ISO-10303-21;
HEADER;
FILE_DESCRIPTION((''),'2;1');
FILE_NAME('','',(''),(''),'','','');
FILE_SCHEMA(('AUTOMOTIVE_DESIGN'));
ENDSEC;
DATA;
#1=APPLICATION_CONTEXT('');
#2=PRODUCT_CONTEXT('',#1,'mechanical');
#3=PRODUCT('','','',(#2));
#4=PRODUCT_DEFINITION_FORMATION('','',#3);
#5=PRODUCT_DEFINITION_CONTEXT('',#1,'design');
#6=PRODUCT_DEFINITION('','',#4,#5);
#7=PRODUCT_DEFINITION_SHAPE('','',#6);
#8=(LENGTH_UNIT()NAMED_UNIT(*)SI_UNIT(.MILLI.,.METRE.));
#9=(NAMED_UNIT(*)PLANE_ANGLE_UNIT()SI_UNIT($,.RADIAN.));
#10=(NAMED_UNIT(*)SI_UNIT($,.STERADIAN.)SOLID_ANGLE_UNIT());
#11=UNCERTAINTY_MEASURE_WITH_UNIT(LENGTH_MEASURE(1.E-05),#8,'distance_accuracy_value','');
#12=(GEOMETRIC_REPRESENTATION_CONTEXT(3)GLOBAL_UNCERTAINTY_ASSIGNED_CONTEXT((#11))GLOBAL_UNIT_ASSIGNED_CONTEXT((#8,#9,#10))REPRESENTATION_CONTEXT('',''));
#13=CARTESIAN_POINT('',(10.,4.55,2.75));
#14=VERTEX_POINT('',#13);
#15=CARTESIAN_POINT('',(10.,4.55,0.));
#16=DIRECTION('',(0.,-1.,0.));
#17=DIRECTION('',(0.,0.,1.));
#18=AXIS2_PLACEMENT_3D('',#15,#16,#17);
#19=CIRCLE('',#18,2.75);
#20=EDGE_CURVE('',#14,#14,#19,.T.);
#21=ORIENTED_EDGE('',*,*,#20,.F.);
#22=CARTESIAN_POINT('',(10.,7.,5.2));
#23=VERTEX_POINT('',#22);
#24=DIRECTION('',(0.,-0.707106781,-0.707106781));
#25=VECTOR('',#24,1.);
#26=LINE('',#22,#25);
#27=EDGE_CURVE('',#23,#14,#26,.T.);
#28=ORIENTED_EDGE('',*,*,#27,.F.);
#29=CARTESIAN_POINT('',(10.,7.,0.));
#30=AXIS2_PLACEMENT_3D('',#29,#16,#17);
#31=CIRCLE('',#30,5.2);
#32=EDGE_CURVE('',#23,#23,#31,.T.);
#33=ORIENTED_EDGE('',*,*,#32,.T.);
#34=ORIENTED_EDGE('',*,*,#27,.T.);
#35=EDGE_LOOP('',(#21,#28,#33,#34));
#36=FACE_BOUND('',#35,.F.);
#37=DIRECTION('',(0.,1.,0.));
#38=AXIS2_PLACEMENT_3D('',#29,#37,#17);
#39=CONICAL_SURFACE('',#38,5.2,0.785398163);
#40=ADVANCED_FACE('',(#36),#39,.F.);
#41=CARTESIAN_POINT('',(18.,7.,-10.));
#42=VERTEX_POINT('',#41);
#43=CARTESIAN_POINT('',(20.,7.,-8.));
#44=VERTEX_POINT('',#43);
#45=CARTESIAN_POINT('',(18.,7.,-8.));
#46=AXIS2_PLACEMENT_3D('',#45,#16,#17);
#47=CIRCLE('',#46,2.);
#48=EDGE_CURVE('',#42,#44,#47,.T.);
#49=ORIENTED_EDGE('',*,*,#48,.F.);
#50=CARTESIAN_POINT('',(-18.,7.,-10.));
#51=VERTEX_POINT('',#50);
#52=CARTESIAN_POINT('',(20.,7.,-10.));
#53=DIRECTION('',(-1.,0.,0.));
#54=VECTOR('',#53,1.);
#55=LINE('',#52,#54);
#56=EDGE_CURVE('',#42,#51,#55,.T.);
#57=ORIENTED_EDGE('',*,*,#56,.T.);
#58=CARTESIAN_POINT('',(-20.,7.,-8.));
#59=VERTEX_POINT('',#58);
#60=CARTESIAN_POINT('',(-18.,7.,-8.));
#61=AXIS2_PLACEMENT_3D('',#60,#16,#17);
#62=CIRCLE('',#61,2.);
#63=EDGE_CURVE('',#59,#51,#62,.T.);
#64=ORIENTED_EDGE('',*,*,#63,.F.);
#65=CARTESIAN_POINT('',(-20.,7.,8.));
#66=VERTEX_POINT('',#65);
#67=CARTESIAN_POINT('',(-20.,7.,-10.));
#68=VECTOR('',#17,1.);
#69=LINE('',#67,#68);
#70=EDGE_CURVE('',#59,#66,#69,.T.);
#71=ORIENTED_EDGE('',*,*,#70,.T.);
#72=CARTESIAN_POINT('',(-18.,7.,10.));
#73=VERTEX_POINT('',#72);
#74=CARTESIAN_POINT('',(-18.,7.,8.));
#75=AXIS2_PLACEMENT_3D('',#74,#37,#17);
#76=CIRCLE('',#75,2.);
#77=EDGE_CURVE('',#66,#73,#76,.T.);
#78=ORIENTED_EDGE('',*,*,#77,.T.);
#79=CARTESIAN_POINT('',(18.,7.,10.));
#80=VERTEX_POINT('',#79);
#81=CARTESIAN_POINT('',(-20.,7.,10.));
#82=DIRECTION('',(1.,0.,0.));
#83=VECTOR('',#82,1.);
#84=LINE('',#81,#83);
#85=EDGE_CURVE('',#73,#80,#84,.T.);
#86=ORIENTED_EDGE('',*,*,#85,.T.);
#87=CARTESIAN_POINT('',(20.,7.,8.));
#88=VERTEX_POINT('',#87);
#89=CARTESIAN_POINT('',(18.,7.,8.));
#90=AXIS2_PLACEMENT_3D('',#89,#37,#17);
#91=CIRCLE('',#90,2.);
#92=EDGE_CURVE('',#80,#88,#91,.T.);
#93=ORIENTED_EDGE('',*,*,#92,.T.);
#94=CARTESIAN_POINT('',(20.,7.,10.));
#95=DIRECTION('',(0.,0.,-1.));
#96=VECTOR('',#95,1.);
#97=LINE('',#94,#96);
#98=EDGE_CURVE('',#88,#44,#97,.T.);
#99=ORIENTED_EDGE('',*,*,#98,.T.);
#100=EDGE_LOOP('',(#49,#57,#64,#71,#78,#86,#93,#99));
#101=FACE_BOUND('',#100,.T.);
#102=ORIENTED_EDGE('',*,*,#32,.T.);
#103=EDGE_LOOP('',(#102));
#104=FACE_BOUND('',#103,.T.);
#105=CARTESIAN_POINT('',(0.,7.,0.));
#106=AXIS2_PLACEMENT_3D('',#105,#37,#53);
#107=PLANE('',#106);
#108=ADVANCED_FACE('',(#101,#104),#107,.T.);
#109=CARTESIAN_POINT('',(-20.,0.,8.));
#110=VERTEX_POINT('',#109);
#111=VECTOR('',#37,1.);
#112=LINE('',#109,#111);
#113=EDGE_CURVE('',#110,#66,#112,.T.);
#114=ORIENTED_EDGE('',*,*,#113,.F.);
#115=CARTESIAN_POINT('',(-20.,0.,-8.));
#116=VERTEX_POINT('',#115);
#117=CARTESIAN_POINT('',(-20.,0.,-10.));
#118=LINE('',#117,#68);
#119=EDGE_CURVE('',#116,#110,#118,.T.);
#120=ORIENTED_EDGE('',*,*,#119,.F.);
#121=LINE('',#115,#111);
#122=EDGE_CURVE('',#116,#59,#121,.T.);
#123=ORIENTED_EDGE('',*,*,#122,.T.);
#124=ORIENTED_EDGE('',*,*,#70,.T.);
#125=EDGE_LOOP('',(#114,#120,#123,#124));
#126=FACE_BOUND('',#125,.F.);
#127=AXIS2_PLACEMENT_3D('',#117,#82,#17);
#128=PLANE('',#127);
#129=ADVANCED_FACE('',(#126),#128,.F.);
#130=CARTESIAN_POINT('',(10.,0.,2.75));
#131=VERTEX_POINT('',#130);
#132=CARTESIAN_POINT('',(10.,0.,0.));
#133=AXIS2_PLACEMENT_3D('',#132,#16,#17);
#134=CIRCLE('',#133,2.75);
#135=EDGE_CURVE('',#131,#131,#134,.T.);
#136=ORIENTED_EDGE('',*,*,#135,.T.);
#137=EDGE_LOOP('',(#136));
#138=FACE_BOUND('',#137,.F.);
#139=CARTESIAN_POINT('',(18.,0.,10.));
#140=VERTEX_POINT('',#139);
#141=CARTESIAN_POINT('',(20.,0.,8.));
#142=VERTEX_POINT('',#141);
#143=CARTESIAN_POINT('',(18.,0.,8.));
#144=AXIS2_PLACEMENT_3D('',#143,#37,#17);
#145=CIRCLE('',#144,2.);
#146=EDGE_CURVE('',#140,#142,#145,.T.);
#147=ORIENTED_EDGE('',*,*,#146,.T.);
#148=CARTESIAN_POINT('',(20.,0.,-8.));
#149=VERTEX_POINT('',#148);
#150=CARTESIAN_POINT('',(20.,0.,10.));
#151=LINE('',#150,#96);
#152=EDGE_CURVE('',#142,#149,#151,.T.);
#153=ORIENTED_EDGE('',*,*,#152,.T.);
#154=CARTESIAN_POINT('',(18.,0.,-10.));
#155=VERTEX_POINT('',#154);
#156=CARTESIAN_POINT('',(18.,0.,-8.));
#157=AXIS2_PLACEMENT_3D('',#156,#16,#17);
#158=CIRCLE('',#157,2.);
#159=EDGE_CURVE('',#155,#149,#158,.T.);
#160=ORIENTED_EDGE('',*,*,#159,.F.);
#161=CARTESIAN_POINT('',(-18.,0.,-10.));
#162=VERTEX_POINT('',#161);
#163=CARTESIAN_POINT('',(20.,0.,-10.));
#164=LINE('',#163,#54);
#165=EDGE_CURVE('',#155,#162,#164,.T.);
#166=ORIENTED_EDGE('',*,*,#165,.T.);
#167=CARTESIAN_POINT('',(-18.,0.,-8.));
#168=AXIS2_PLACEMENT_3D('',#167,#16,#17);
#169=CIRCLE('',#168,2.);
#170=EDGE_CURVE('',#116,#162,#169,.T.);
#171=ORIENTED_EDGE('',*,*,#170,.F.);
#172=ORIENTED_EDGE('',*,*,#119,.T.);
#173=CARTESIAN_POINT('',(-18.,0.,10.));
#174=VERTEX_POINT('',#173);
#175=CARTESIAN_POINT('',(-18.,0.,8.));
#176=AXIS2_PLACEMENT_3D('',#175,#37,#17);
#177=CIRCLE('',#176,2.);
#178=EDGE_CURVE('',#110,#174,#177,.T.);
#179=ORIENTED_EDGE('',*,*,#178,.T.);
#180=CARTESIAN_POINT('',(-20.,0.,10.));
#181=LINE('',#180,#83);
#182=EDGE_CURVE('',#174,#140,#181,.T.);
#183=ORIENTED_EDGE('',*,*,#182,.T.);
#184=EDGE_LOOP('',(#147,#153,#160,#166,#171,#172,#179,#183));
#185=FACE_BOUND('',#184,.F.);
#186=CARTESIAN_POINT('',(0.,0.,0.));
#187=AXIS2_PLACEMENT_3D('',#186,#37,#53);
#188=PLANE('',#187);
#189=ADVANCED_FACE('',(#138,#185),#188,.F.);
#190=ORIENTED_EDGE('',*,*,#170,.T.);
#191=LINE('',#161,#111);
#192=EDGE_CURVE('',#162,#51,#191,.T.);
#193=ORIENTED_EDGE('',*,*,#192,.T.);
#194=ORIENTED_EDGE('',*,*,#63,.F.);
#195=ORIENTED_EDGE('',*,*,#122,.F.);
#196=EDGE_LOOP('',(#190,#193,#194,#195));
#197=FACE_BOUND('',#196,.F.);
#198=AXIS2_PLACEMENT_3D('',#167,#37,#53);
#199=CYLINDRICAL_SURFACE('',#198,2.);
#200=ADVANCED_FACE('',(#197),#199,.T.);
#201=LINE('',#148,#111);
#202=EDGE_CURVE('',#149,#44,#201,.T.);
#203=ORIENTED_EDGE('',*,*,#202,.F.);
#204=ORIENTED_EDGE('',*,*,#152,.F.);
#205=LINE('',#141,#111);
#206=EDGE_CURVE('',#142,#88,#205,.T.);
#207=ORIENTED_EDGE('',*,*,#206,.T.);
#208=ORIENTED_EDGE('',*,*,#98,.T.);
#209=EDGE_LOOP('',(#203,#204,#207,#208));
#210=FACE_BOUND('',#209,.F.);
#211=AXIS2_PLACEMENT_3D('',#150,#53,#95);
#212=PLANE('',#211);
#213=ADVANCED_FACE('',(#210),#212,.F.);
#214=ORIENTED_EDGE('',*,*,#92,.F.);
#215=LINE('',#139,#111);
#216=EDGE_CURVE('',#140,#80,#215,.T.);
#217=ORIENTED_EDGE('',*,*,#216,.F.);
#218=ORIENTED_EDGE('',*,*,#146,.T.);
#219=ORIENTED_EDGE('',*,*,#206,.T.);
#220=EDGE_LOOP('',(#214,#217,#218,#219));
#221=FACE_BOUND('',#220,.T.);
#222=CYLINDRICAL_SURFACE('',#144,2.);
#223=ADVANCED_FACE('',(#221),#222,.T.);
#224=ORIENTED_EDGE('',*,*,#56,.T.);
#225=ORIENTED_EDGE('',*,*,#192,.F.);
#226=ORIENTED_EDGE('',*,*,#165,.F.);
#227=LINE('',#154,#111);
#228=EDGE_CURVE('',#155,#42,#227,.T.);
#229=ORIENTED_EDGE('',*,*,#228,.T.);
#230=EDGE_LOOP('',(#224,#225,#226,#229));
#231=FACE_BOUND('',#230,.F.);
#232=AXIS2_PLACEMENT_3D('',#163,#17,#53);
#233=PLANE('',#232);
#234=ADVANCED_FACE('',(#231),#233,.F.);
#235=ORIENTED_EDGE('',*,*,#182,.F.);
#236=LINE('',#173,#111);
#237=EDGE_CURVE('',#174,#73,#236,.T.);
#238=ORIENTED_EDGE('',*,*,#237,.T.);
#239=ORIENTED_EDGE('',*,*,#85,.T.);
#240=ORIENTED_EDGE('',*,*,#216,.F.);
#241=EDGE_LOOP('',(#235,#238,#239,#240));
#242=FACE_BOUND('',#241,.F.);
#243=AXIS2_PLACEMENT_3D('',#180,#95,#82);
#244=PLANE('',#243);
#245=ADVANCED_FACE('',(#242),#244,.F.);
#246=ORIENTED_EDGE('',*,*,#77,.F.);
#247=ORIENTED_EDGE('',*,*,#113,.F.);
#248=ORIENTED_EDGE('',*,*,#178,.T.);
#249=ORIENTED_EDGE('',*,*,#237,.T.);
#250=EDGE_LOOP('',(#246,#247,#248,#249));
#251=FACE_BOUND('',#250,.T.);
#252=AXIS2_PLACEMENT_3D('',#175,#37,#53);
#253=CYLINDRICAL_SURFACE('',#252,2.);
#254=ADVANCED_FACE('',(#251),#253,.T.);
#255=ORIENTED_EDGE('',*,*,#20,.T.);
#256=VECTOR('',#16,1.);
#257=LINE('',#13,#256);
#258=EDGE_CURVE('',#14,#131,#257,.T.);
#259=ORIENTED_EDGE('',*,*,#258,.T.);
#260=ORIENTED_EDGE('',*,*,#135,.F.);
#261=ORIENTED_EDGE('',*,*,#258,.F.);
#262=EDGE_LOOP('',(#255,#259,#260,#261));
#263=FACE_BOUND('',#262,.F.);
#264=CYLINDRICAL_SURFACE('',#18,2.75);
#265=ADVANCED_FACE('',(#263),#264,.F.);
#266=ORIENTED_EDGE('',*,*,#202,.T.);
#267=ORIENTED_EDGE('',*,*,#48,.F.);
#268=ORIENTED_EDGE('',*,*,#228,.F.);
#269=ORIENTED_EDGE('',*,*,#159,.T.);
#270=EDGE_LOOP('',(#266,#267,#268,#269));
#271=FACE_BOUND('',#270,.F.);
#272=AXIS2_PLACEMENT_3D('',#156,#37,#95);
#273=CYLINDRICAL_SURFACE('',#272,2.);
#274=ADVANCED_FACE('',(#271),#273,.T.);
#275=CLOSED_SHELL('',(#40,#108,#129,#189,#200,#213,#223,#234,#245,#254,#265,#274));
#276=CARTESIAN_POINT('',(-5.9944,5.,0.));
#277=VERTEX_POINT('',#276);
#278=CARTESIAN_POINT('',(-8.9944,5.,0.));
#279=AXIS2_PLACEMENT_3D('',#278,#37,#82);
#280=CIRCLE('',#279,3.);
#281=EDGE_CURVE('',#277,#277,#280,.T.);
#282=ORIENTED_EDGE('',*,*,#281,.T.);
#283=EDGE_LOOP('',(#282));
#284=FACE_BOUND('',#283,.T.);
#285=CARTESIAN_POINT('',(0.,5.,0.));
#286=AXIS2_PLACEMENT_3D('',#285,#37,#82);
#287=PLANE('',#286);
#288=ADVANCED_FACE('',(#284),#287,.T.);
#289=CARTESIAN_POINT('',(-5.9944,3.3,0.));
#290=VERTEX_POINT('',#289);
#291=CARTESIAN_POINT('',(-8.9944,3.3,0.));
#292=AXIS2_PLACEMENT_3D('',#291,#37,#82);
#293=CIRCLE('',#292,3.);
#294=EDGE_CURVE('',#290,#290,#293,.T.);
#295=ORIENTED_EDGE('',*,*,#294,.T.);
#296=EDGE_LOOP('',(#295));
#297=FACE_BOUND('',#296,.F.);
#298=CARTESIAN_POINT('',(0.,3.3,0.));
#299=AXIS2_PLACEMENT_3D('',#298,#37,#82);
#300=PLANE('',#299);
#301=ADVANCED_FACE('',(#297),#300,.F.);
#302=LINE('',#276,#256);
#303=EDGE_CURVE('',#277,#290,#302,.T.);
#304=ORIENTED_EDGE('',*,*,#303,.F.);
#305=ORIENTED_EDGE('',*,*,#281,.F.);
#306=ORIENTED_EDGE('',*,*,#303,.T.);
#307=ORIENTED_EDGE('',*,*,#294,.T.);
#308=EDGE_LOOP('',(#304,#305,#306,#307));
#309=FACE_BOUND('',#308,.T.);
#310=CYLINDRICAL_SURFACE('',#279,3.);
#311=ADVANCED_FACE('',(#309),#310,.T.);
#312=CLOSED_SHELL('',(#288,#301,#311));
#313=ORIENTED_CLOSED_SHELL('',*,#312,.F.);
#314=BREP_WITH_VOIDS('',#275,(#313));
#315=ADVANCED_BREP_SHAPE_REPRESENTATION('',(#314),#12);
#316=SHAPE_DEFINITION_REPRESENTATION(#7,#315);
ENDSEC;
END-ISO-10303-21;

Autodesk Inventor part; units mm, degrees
ref_plane "YZ Plane" through (0, 0, 0) normal (1, 0, 0) x (0, 1, 0)
ref_plane "XZ Plane" through (0, 0, 0) normal (0, 1, 0) x (-1, 0, 0)
ref_plane "XY Plane" through (0, 0, 0) normal (0, 0, 1) x (1, 0, 0)
sketch "Sketch1" plane through (0, 0, 0) normal (0, 1, 0) x (-1, 0, 0)
  line L0 (2.1258, 0) -> (-2.1258, 0) construction
  line L1 (0, 4.2515) -> (0, -4.2515) construction
  line L2 (20, 10) -> (-20, 10)
  line L3 (-20, 10) -> (-20, -10)
  line L4 (-20, -10) -> (20, -10)
  line L5 (20, -10) -> (20, 10)
  point P0 (0, 0)
  point P1 (0, 0)
  dimension "d1" = 20
  dimension "d2" = 20
  dimension "d3" = 20
extrude "Extrusion1" add sketch "Sketch1" along normal blind 7
sketch "Sketch2" plane through (0, 7, 0) normal (0, 1, 0) x (1, 0, 0)
  point P0 (0, 0)
  point P1 (10, 0)
  dimension "d6" = 10
hole "Hole1" at (10, 7, 0) direction (0, -1, 0) diameter 5.5 end through all countersink diameter 10.4 countersink angle 90 clearance for "Countersunk Flat Head Screw DIN EN ISO 2009" size "M5" standard "DIN"
ref_plane "Work Plane1" through (0, 5, 0) normal (0, 1, 0) x (1, 0, 0)
sketch "Sketch3" plane through (0, 5, 0) normal (0, 1, 0) x (1, 0, 0)
  circle A0 centre (-8.9944, 0) radius 3
  point P0 (0, 0)
  dimension "d15" = 6
extrude "Extrusion2" cut sketch "Sketch3" against normal blind 1.7
fillet "Fillet1" radius 2 4 edges at (-20, 3.5, 10) (-20, 3.5, -10) (20, 3.5, 10) (20, 3.5, -10)
properties part number "MagnetHolderV1"
